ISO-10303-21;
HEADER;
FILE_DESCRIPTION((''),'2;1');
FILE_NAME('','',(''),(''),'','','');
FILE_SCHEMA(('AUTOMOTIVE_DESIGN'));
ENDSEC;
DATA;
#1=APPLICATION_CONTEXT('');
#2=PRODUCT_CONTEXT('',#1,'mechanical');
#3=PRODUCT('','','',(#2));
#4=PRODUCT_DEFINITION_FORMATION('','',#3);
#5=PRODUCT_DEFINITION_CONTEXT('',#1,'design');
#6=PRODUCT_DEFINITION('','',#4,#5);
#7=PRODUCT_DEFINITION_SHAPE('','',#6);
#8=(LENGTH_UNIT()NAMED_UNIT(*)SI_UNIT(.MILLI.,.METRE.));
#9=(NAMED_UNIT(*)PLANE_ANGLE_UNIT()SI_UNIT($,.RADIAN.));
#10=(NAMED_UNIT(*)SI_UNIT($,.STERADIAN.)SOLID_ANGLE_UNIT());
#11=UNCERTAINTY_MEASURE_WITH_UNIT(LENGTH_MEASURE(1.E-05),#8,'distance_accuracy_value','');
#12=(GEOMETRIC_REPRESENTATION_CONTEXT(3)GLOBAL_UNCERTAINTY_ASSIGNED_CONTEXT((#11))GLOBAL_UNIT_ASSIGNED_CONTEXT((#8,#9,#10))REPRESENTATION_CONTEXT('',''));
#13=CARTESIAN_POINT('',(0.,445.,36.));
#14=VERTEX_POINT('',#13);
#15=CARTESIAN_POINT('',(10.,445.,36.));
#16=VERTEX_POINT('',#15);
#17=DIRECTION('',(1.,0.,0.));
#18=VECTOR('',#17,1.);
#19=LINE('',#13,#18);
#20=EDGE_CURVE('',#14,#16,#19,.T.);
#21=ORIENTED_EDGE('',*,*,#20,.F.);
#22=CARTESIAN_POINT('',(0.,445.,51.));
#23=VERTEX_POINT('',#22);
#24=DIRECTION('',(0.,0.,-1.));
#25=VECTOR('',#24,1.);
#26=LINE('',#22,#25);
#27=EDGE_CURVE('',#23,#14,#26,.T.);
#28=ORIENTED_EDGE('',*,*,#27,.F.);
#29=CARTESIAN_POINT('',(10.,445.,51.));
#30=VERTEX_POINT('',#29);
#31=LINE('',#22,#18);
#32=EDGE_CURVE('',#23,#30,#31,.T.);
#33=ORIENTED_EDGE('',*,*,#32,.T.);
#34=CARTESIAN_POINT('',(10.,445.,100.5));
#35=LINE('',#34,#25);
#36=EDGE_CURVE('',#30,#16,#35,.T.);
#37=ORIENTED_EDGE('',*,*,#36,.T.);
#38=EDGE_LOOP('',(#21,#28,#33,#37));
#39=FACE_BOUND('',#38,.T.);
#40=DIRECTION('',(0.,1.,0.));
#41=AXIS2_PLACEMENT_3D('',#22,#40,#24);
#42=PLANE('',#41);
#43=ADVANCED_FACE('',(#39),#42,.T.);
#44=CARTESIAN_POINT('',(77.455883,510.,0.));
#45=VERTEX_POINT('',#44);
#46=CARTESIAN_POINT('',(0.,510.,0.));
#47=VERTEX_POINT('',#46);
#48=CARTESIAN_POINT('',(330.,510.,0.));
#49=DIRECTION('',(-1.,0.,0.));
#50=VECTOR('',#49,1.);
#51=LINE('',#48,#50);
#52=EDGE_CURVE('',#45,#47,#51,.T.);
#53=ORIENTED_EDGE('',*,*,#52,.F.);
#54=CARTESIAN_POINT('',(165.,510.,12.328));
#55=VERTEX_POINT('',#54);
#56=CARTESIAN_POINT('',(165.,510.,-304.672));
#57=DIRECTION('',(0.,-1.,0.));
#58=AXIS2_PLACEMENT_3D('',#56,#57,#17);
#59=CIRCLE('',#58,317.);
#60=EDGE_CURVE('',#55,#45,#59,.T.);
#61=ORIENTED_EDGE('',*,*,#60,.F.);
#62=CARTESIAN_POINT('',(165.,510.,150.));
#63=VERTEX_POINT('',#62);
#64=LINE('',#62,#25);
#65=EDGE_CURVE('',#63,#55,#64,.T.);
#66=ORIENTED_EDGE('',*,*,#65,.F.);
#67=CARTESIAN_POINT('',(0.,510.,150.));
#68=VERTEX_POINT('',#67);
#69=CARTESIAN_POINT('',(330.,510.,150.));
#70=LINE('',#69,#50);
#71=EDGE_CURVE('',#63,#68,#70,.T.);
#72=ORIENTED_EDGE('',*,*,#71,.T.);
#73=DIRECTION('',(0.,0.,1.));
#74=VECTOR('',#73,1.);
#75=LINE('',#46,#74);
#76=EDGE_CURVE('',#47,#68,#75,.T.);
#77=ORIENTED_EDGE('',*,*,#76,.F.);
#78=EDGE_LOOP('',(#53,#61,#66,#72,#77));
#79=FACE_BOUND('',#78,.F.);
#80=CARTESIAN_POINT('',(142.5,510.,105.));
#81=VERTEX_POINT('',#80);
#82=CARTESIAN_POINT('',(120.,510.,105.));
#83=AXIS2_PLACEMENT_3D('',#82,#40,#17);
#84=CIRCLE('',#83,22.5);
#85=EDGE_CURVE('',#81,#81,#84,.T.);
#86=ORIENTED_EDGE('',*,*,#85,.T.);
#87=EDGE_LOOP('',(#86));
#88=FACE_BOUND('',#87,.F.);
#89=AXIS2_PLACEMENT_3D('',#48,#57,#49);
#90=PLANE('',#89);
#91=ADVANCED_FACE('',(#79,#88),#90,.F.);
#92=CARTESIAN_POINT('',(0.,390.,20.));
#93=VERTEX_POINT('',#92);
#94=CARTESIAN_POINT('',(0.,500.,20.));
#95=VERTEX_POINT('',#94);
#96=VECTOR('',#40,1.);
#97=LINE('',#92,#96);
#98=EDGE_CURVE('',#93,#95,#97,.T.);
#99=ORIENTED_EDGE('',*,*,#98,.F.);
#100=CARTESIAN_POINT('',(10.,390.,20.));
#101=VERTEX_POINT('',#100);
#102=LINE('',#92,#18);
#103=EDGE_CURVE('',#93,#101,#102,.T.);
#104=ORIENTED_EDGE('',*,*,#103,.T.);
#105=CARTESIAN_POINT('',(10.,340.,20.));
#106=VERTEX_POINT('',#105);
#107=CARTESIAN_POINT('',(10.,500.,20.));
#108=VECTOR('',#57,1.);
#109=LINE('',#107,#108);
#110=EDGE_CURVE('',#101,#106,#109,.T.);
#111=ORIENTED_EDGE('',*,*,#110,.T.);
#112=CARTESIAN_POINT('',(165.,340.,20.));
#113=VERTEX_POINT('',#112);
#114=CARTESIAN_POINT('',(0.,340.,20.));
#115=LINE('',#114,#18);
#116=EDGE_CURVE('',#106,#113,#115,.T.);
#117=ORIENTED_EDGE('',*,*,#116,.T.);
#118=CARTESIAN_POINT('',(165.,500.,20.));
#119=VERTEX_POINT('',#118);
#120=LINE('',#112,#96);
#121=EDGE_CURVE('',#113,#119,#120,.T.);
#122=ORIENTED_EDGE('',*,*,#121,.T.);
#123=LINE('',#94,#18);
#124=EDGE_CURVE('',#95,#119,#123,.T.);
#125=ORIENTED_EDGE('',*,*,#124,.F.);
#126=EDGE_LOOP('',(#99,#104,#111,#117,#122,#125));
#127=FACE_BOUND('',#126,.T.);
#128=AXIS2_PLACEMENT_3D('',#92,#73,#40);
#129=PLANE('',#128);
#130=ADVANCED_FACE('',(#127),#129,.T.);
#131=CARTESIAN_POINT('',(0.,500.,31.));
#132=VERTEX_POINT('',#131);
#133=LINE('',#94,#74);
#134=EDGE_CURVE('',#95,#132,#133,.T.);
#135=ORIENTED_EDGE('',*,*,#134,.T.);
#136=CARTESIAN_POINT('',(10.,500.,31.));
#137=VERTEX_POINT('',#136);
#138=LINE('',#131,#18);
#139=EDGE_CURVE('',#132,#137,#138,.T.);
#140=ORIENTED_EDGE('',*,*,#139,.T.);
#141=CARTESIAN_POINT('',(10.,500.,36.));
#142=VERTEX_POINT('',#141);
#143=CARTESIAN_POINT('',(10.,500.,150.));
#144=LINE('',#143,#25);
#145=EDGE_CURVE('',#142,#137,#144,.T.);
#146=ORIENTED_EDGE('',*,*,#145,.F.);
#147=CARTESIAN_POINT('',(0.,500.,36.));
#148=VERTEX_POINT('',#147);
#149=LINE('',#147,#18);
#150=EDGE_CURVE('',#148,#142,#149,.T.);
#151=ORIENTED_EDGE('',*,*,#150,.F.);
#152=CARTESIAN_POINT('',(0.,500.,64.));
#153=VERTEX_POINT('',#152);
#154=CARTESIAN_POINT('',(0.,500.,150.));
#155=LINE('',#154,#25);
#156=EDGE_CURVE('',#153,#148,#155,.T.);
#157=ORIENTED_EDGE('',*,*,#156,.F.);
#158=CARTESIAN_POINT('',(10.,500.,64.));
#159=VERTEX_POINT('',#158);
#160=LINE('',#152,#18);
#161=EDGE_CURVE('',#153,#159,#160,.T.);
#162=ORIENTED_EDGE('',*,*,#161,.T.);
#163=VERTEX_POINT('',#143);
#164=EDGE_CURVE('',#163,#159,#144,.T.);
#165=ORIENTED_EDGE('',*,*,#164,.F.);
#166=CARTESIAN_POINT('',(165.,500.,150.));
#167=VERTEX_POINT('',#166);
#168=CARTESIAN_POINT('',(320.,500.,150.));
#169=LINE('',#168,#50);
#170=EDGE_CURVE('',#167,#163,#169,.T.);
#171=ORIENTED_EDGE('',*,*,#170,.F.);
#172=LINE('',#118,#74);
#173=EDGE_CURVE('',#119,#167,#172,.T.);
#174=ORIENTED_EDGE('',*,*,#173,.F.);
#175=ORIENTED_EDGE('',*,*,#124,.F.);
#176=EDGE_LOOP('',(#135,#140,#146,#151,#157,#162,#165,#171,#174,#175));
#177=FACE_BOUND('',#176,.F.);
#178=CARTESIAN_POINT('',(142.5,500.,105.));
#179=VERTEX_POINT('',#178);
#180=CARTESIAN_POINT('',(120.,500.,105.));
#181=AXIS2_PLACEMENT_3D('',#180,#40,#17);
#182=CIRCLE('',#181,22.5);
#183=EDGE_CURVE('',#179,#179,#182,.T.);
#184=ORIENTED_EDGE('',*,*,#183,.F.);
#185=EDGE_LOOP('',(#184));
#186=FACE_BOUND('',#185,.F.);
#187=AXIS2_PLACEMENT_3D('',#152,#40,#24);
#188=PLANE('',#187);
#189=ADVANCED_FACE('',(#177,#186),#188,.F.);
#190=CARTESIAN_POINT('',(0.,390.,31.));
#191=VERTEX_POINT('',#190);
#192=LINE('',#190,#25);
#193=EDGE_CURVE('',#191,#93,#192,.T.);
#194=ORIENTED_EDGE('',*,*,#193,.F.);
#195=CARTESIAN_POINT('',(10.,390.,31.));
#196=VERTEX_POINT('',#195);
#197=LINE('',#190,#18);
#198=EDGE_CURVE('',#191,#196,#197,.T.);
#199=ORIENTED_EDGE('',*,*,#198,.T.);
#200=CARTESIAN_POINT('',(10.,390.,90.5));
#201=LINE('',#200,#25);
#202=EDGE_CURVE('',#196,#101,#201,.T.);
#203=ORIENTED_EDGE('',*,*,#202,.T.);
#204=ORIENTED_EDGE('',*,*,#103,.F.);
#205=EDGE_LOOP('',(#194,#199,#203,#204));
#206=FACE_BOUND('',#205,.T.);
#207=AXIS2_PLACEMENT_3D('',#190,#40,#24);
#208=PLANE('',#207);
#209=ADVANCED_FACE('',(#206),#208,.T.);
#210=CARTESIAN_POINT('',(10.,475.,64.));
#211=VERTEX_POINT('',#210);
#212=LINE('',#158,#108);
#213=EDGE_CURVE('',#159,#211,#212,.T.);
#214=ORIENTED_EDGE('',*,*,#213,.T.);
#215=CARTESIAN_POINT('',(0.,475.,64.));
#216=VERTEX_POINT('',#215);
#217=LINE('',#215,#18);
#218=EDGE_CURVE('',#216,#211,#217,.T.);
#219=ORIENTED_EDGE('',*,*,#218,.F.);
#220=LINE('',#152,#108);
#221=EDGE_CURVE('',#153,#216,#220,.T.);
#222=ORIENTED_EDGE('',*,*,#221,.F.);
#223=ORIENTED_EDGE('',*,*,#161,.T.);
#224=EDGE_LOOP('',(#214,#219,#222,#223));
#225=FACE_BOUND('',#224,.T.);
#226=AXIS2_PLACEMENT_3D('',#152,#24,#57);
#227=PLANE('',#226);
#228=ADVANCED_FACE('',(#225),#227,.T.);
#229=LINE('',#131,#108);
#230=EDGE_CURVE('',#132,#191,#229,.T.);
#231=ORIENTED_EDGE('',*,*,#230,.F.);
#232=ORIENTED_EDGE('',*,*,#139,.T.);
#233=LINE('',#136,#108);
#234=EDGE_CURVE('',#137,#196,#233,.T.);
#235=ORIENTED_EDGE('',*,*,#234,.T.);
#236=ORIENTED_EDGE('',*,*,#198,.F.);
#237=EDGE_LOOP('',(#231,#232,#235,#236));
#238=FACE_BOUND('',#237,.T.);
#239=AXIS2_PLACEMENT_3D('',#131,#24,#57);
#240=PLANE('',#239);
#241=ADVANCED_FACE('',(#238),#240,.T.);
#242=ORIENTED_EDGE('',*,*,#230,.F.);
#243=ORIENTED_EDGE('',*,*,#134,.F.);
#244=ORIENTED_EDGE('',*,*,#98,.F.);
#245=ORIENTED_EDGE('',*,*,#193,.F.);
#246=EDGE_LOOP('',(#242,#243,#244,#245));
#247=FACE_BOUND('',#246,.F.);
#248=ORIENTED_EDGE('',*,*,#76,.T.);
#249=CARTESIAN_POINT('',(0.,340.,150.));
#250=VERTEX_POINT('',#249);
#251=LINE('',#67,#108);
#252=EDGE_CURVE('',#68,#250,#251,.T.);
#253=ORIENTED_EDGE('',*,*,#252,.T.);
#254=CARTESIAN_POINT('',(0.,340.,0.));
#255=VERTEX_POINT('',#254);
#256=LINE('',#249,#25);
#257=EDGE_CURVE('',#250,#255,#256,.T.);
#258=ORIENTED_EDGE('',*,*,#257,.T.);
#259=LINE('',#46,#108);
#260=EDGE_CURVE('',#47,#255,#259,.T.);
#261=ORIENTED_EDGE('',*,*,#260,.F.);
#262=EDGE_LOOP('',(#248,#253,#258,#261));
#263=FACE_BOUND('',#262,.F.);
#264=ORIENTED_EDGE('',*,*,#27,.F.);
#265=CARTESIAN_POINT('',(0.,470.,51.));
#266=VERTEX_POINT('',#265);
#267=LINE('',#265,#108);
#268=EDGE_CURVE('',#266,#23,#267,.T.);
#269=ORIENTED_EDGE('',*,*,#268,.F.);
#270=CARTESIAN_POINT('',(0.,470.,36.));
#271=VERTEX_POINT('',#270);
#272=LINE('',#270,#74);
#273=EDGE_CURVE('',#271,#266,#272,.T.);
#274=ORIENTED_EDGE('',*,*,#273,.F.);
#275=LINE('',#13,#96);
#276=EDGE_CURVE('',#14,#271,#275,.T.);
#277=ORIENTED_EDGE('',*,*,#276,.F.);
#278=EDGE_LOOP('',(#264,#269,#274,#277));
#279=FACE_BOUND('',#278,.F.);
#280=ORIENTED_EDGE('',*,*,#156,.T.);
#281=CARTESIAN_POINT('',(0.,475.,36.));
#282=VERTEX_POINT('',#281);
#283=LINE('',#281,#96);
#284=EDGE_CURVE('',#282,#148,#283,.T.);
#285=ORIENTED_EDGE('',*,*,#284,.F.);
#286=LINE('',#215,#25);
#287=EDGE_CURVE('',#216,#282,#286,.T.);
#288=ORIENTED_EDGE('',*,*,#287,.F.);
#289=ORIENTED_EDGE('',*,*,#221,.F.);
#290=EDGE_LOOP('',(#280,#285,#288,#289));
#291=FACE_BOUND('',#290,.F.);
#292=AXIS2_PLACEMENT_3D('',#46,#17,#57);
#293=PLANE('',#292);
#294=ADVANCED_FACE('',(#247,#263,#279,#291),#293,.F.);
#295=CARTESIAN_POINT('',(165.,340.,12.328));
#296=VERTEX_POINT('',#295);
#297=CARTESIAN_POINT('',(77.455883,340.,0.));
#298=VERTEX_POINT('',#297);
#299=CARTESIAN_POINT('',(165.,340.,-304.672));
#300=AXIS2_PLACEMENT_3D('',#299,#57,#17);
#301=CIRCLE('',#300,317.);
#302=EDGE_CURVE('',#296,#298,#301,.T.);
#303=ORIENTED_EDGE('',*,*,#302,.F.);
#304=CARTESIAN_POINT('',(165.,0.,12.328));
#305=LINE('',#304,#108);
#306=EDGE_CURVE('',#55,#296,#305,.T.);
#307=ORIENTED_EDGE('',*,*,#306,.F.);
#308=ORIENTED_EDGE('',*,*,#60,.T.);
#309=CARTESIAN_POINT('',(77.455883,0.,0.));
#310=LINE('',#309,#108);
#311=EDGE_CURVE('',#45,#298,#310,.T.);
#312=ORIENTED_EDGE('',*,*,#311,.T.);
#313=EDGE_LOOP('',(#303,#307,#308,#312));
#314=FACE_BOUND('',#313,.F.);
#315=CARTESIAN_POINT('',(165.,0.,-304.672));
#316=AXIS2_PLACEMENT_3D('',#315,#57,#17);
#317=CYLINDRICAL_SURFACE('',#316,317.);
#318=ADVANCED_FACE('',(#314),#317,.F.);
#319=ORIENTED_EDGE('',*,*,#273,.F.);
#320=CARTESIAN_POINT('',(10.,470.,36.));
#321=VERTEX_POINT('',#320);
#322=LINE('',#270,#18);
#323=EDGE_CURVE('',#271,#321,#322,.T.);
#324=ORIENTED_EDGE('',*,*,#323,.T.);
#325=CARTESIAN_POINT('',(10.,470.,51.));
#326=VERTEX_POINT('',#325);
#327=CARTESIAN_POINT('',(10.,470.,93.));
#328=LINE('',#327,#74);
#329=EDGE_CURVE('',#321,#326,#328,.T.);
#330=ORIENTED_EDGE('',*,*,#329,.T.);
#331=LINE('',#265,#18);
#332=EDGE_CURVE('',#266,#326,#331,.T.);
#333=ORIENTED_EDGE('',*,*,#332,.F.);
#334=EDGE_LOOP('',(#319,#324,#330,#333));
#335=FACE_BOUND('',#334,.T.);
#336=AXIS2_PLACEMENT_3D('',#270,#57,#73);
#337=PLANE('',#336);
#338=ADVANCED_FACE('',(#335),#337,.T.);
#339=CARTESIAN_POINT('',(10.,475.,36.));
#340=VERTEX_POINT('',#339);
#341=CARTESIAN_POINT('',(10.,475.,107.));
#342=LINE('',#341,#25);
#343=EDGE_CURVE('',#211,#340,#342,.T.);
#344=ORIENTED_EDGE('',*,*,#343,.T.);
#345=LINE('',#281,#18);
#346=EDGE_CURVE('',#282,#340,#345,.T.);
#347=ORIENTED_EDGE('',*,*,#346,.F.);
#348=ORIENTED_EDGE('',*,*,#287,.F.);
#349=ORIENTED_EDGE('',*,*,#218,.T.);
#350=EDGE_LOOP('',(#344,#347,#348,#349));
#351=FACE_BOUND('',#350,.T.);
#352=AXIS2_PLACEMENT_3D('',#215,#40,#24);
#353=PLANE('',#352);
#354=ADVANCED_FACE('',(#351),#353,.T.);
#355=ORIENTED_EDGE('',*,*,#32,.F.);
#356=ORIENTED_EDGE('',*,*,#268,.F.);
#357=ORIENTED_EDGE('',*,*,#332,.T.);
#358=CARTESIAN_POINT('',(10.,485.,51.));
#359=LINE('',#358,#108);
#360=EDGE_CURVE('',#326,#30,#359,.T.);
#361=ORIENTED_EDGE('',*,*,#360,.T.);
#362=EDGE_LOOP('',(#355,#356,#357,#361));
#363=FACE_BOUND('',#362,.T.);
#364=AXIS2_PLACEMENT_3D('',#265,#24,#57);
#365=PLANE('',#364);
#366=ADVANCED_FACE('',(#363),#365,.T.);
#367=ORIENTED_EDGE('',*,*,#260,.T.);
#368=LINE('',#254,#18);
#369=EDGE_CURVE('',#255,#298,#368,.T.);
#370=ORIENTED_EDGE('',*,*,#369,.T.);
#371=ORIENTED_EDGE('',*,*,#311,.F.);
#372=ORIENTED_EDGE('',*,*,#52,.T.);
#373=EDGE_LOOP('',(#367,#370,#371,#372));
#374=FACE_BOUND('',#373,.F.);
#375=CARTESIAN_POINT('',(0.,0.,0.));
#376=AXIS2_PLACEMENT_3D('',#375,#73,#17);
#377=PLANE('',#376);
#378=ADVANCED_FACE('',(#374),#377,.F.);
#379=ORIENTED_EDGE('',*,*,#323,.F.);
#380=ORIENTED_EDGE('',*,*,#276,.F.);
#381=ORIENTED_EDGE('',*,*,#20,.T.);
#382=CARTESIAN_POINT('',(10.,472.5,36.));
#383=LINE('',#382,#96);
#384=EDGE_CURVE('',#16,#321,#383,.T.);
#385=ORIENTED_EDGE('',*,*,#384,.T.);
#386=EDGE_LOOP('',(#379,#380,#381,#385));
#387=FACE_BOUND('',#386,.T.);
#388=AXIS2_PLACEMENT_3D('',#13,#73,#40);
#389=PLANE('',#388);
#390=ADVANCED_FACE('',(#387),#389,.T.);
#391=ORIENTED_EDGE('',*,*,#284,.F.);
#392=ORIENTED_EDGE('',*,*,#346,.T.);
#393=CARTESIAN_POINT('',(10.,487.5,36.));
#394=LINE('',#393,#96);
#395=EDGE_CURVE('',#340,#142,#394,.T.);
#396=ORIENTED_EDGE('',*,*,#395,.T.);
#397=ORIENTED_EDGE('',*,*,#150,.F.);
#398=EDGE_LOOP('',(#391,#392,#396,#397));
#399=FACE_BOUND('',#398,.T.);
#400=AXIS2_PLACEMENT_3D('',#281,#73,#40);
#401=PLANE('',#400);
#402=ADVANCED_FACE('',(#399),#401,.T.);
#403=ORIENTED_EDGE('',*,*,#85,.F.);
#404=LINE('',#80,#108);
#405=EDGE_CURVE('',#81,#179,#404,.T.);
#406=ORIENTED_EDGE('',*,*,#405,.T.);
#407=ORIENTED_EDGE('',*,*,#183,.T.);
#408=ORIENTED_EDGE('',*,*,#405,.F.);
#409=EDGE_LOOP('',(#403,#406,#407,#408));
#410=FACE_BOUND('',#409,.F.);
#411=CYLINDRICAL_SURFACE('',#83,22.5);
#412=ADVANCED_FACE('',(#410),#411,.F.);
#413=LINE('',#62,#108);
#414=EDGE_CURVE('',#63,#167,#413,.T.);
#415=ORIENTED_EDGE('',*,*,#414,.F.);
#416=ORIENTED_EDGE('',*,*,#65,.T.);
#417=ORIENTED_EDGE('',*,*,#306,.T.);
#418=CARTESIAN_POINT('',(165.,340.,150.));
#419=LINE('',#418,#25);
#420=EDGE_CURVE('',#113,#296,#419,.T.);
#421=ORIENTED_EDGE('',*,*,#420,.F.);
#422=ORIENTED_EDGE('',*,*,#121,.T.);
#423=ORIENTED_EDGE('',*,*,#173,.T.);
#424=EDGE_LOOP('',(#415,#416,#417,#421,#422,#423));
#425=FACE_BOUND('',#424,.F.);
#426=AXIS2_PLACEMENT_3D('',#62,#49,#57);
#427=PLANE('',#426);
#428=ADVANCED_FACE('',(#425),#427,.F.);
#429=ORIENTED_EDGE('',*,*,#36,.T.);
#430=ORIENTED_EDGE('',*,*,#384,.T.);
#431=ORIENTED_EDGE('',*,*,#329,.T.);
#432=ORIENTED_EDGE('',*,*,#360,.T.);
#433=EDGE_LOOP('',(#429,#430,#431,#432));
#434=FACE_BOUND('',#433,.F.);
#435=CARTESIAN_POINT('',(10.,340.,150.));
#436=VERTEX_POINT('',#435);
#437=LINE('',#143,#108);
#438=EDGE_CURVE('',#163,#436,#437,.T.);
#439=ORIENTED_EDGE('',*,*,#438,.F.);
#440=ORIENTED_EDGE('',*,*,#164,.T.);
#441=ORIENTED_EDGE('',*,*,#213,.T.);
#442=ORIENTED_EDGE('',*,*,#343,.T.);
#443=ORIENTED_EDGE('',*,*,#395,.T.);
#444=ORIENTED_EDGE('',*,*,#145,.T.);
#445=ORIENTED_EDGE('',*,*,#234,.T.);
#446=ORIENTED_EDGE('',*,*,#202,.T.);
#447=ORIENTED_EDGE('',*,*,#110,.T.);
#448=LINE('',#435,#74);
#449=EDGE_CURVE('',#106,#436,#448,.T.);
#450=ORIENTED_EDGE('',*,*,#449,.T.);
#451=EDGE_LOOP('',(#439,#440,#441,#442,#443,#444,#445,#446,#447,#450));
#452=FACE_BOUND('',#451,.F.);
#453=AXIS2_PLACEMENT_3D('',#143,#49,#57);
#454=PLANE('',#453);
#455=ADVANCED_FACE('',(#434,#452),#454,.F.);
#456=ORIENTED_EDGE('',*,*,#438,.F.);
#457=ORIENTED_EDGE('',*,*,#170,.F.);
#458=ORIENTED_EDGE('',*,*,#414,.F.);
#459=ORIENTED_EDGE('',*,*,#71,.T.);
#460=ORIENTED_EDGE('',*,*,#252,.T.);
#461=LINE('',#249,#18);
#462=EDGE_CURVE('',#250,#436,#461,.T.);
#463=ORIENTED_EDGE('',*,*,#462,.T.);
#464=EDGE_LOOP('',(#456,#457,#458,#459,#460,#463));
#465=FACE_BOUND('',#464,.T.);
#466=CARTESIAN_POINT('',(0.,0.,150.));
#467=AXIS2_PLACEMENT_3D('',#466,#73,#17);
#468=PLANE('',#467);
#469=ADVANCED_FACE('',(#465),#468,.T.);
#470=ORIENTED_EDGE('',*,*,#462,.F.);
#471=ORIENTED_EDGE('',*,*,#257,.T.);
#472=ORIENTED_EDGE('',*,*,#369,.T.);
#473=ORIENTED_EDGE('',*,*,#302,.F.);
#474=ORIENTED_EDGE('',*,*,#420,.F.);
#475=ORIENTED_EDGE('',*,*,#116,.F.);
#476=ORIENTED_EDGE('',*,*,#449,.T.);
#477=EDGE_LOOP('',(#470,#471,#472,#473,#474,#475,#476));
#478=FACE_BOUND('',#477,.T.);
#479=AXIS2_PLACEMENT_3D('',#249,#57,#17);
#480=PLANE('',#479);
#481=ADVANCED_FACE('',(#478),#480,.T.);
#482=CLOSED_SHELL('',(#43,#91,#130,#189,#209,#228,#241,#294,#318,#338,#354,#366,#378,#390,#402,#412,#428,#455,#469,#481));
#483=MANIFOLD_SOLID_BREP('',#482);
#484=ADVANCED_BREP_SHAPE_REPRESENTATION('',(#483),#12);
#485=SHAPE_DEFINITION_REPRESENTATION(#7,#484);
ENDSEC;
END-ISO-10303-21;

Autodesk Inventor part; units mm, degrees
ref_plane "YZ Plane" through (0, 0, 0) normal (1, 0, 0) x (0, 1, 0)
ref_plane "XZ Plane" through (0, 0, 0) normal (0, 1, 0) x (-1, 0, 0)
ref_plane "XY Plane" through (0, 0, 0) normal (0, 0, 1) x (1, 0, 0)
sketch "Sketch1" plane through (0, 0, 0) normal (0, 0, 1) x (1, 0, 0)
  line L0 (0, 0) -> (330, 0)
  line L1 (330, 0) -> (330, 510)
  line L2 (330, 510) -> (0, 510)
  line L3 (0, 510) -> (0, 0)
  dimension "d0" = 330
  dimension "d1" = 510
extrude "Extrusion1" add sketch "Sketch1" along normal blind 150
sketch "Sketch2" plane through (0, 0, 0) normal (0, -1, 0) x (1, 0, 0)
  circle A0 centre (165, -304.672) radius 315
  line L0 (85, 0) -> (245, 0)
  line L1 (0, 0) -> (330, 0)
  circle A1 centre (165, -304.672) radius 317
  point P0 (165, 0)
  point P1 (165, 0)
  dimension "d4" = 630
  dimension "d8" = 160
  dimension "d9" = 2
extrude "Extrusion2" cut sketch "Sketch2" against normal through all
sketch "Sketch3" plane through (0, 0, 150) normal (0, 0, 1) x (1, 0, 0)
  line L0 (0, 0) -> (330, 0)
  line L1 (330, 0) -> (330, 510)
  line L2 (330, 510) -> (0, 510)
  line L3 (0, 510) -> (0, 0)
  line L4 (10, 10) -> (320, 10)
  line L5 (320, 10) -> (320, 500)
  line L6 (320, 500) -> (10, 500)
  line L7 (10, 500) -> (10, 10)
  dimension "d10" = 10
extrude "Extrusion3" cut sketch "Sketch3" against normal blind 130 contours L7 L6 L5 L4
sketch "Sketch4" plane through (0, 0, 20) normal (0, 0, 1) x (1, 0, 0)
  line L0 (10, 500) -> (320, 500) construction
  line L1 (85, 500) -> (245, 500) construction
  line L2 (245, 500) -> (245, 10) construction
  line L3 (245, 10) -> (85, 10) construction
  line L4 (85, 10) -> (85, 500) construction
  line L5 (320, 10) -> (10, 10) construction
  line L6 (85, 500) -> (245, 500) construction
  line L7 (245, 500) -> (245, 455) construction
  line L8 (245, 455) -> (85, 455) construction
  line L9 (85, 455) -> (85, 500) construction
  line L10 (85, 455) -> (245, 455) construction
  line L11 (245, 455) -> (245, 400) construction
  line L12 (245, 400) -> (85, 400) construction
  line L13 (85, 400) -> (85, 455) construction
  line L14 (85, 400) -> (245, 400) construction
  line L15 (245, 400) -> (245, 345) construction
  line L16 (245, 345) -> (85, 345) construction
  line L17 (85, 345) -> (85, 400) construction
  line L18 (85, 345) -> (245, 345) construction
  line L19 (245, 345) -> (245, 290) construction
  line L20 (245, 290) -> (85, 290) construction
  line L21 (85, 290) -> (85, 345) construction
  line L22 (85, 290) -> (245, 290) construction
  line L23 (245, 290) -> (245, 235) construction
  line L24 (245, 235) -> (85, 235) construction
  line L25 (85, 235) -> (85, 290) construction
  circle A0 centre (130.3559, 262.5) radius 15
  circle A1 centre (199.6441, 262.5) radius 15
  line L26 (130.3559, 262.5) -> (199.6441, 262.5) construction
  point P0 (0, 0)
  point P1 (165, 500)
  point P2 (165, 500)
  point P3 (165, 262.5)
  point P4 (165, 235)
  point P5 (245, 262.5)
  dimension "d13" = 160
  dimension "d14" = 45
  dimension "d15" = 55
  dimension "d16" = 55
  dimension "d17" = 55
  dimension "d18" = 55
  dimension "d19" = 30
  dimension "d20" = 30
  dimension "d21" = 69.2883
extrude "Extrusion4" cut sketch "Sketch4" against normal through all
sketch "Sketch5" plane through (0, 0, 150) normal (0, 0, 1) x (1, 0, 0)
  line L0 (330, 510) -> (0, 510)
  line L1 (0, 0) -> (330, 0)
  line L2 (330, 510) -> (165, 510)
  line L3 (165, 510) -> (165, 0)
  line L4 (165, 0) -> (330, 0)
  line L5 (330, 0) -> (330, 510)
  line L6 (0, 510) -> (0, 0)
  line L7 (330, 0) -> (0, 0)
  line L8 (0, 0) -> (0, 340)
  line L9 (0, 340) -> (330, 340)
  line L10 (330, 340) -> (330, 0)
  dimension "d24" = 340
extrude "Extrusion5" cut sketch "Sketch5" against normal through all contours L5 L9 L3 L0 | L5 L1 L3 L9 | L3 L1 L6 L9
sketch "Sketch7" plane through (0, 510, 0) normal (-1, 0, 0) x (0, 0, 1)
  line L0 (20, -10) -> (31, -10)
  line L1 (31, -10) -> (31, -120)
  line L2 (31, -120) -> (20, -120)
  line L3 (20, -120) -> (20, -10)
  line L4 (0, 0) -> (150, 0)
  line L5 (0, 0) -> (0, -170)
  line L6 (20, -170) -> (20, -10)
  line L7 (20, -170) -> (20, -10)
  point P0 (0, -510)
  dimension "d31" = 10
  dimension "d32" = 20
  dimension "d33" = 11
  dimension "d34" = 110
extrude "Extrusion7" cut sketch "Sketch7" against normal through all
sketch "Sketch8" plane through (0, 510, 0) normal (-1, 0, 0) x (0, 0, 1)
  line L0 (150, -10) -> (31, -10)
  line L1 (36, -10) -> (64, -10)
  line L2 (64, -10) -> (64, -35)
  line L3 (64, -35) -> (36, -35)
  line L4 (36, -35) -> (36, -10)
  line L5 (31, -120) -> (31, -10)
  point P0 (0, -510)
  dimension "d37" = 28
  dimension "d38" = 25
  dimension "d39" = 5
extrude "Extrusion8" cut sketch "Sketch8" against normal through all
sketch "Sketch9" plane through (0, 510, 0) normal (-1, 0, 0) x (0, 0, 1)
  line L0 (36, -40) -> (51, -40)
  line L1 (51, -40) -> (51, -65)
  line L2 (51, -65) -> (36, -65)
  line L3 (36, -65) -> (36, -40)
  line L4 (36, -35) -> (64, -35)
  point P0 (0, -510)
  dimension "d42" = 15
  dimension "d43" = 25
  dimension "d44" = 5
extrude "Extrusion9" cut sketch "Sketch9" against normal through all
sketch "Sketch10" plane through (0, 510, 150) normal (0, 1, 0) x (1, 0, 0)
  circle A0 centre (120, 45) radius 22.5
  line L0 (165, 0) -> (165, 137.672)
  line L1 (10, 0) -> (165, 0)
  point P0 (0, 150)
  dimension "d47" = 45
  dimension "d48" = 45
  dimension "d49" = 45
extrude "Extrusion10" cut sketch "Sketch10" against normal through all
properties part number "CA002" material "ABS Plastic"
